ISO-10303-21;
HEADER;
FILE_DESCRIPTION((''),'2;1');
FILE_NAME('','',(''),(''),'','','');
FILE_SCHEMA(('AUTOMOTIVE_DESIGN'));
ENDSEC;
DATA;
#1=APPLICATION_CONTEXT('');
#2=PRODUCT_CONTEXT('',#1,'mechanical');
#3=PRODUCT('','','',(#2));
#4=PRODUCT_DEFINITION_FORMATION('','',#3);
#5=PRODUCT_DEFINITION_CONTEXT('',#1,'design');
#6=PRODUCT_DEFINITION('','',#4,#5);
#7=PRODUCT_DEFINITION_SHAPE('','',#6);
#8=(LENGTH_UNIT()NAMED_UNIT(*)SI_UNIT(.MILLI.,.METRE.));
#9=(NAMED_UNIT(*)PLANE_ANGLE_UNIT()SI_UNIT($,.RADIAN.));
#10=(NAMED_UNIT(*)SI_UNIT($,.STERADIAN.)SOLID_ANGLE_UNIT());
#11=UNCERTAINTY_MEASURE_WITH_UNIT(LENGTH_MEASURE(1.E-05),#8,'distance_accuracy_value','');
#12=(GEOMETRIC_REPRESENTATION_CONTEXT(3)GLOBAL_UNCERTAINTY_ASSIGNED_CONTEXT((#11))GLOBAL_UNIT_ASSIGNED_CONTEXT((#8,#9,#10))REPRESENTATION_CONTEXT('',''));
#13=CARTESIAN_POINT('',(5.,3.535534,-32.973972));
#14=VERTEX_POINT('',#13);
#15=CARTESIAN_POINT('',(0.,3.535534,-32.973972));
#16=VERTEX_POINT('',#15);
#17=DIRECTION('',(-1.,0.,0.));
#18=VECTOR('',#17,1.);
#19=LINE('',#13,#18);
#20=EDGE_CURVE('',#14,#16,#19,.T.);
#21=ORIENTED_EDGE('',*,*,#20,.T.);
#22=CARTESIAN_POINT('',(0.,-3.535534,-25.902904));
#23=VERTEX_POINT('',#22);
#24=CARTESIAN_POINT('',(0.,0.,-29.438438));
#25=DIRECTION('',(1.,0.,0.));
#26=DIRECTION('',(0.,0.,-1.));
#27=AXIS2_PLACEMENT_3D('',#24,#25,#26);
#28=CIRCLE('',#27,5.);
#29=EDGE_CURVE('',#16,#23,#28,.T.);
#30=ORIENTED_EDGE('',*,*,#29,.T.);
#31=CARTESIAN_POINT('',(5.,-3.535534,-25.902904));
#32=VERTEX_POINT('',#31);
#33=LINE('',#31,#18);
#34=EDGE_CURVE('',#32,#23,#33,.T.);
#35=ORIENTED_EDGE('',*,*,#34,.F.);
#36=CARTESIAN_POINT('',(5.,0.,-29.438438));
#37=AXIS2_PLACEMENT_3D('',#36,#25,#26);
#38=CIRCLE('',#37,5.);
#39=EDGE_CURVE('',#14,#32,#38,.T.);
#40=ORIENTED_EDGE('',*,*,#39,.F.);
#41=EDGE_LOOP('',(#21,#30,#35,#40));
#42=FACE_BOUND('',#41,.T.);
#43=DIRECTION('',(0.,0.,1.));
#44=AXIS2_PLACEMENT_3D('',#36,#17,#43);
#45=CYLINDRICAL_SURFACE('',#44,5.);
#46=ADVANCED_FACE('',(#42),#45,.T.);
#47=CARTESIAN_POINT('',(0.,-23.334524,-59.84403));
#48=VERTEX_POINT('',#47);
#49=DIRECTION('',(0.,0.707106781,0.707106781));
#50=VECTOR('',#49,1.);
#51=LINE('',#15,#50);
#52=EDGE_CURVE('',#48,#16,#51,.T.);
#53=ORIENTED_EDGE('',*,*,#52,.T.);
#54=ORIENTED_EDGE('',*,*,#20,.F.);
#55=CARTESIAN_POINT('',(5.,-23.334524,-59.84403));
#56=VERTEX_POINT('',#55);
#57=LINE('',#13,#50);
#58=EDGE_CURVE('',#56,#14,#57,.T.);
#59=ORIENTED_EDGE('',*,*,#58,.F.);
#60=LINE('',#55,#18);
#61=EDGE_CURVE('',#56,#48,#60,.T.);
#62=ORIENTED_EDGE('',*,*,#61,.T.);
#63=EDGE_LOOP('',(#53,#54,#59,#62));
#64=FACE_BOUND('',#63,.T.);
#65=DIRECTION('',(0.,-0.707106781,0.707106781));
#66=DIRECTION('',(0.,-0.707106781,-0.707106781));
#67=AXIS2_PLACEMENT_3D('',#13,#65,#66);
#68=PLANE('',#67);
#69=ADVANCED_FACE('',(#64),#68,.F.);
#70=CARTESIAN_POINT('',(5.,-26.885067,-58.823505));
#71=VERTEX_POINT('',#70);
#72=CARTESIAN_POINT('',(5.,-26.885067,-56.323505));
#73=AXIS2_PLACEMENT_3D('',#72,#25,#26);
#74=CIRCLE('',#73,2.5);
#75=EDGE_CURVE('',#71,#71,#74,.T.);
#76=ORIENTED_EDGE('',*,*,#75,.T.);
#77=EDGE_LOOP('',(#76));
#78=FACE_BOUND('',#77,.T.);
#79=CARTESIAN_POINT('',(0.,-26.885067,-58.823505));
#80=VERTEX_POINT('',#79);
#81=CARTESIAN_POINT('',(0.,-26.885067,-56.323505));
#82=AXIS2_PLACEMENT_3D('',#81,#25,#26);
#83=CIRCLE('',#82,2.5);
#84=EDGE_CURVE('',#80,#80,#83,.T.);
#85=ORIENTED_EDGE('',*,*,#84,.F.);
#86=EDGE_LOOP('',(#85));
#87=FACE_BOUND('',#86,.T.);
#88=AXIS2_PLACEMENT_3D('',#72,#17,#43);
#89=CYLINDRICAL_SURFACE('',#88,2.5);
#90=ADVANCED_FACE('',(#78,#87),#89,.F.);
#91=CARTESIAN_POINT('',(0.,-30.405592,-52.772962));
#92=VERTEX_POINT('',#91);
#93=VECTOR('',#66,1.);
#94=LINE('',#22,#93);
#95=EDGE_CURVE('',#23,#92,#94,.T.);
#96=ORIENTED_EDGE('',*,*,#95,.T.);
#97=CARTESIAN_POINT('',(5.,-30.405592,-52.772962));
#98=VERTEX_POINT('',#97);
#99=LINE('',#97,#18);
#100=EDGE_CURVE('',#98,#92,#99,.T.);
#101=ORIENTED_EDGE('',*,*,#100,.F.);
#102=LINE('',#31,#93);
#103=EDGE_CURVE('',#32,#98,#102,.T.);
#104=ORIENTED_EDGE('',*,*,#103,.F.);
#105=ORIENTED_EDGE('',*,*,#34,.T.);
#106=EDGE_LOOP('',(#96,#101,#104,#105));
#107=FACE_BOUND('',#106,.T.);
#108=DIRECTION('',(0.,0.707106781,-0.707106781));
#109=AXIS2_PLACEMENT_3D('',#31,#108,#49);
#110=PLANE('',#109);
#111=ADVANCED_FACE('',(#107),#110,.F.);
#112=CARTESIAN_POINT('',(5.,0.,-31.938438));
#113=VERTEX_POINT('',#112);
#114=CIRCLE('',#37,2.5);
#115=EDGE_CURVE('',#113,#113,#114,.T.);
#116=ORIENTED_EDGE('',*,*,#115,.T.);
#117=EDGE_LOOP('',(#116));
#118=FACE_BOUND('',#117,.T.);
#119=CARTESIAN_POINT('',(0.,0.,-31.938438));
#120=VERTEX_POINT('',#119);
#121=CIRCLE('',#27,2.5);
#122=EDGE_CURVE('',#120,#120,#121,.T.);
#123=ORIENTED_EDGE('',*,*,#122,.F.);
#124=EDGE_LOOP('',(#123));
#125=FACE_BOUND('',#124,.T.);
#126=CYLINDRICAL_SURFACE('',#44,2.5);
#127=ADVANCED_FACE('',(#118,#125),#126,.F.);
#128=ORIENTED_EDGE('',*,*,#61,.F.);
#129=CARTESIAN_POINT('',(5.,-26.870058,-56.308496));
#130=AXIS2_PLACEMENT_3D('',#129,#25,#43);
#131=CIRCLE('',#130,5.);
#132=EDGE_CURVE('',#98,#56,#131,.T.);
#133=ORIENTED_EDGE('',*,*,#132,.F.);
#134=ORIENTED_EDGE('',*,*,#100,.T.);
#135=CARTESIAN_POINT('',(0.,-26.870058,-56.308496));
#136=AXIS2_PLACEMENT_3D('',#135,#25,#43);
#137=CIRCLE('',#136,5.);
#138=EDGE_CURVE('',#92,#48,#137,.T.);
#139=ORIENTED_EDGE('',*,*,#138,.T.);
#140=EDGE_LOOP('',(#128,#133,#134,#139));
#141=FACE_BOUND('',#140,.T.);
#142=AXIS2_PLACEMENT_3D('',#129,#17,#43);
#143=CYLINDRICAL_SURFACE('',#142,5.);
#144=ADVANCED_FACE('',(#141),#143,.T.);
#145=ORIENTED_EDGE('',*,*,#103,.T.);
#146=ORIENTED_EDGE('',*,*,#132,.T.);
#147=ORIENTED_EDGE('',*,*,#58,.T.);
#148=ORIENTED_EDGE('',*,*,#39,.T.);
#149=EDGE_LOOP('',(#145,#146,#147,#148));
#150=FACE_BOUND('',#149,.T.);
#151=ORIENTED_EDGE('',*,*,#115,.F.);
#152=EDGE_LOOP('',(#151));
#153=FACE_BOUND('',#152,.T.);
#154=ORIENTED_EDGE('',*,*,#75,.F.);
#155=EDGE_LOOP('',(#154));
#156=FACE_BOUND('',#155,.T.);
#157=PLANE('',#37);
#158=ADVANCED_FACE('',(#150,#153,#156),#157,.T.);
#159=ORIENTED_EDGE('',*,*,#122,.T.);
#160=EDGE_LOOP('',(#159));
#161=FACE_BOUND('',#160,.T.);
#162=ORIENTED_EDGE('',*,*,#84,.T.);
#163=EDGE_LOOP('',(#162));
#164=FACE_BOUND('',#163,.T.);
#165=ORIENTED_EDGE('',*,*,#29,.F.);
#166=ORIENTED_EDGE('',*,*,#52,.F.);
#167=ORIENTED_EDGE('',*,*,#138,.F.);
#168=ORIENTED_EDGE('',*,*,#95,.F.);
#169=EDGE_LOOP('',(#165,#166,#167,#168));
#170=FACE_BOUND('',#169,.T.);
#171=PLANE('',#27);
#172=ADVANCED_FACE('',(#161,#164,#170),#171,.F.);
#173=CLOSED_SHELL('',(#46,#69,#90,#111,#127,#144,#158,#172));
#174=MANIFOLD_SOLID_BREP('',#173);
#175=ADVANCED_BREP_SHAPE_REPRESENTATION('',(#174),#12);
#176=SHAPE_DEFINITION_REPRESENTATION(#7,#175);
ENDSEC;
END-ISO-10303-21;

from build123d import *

# Parameters (mm, degrees)
SKETCH1_R           = 2.5
BOSS_EXTRUDE1_DEPTH = 5


with BuildPart() as part:
    # Sketch1 → Boss-Extrude1 (new body)
    with BuildSketch(Plane(origin=(0, 0, 0), x_dir=(0, 0, -1), z_dir=(1, 0, 0))):
        with BuildLine():
            Line((32.973972115, 3.535533906), (59.8440298, -23.334523779))
            ThreePointArc((59.8440298, -23.334523779), (59.8440298, -30.405591591), (52.772961988, -30.405591591))
            Line((52.772961988, -30.405591591), (25.902904303, -3.535533906))
            ThreePointArc((25.902904303, -3.535533906), (25.902904303, 3.535533906), (32.973972115, 3.535533906))
        make_face()
        with Locations((29.438438209, 0)):
            Circle(SKETCH1_R, mode=Mode.SUBTRACT)
        with Locations((56.323505195, -26.885066985)):
            Circle(SKETCH1_R, mode=Mode.SUBTRACT)
    extrude(amount=BOSS_EXTRUDE1_DEPTH)


solid = part.part
